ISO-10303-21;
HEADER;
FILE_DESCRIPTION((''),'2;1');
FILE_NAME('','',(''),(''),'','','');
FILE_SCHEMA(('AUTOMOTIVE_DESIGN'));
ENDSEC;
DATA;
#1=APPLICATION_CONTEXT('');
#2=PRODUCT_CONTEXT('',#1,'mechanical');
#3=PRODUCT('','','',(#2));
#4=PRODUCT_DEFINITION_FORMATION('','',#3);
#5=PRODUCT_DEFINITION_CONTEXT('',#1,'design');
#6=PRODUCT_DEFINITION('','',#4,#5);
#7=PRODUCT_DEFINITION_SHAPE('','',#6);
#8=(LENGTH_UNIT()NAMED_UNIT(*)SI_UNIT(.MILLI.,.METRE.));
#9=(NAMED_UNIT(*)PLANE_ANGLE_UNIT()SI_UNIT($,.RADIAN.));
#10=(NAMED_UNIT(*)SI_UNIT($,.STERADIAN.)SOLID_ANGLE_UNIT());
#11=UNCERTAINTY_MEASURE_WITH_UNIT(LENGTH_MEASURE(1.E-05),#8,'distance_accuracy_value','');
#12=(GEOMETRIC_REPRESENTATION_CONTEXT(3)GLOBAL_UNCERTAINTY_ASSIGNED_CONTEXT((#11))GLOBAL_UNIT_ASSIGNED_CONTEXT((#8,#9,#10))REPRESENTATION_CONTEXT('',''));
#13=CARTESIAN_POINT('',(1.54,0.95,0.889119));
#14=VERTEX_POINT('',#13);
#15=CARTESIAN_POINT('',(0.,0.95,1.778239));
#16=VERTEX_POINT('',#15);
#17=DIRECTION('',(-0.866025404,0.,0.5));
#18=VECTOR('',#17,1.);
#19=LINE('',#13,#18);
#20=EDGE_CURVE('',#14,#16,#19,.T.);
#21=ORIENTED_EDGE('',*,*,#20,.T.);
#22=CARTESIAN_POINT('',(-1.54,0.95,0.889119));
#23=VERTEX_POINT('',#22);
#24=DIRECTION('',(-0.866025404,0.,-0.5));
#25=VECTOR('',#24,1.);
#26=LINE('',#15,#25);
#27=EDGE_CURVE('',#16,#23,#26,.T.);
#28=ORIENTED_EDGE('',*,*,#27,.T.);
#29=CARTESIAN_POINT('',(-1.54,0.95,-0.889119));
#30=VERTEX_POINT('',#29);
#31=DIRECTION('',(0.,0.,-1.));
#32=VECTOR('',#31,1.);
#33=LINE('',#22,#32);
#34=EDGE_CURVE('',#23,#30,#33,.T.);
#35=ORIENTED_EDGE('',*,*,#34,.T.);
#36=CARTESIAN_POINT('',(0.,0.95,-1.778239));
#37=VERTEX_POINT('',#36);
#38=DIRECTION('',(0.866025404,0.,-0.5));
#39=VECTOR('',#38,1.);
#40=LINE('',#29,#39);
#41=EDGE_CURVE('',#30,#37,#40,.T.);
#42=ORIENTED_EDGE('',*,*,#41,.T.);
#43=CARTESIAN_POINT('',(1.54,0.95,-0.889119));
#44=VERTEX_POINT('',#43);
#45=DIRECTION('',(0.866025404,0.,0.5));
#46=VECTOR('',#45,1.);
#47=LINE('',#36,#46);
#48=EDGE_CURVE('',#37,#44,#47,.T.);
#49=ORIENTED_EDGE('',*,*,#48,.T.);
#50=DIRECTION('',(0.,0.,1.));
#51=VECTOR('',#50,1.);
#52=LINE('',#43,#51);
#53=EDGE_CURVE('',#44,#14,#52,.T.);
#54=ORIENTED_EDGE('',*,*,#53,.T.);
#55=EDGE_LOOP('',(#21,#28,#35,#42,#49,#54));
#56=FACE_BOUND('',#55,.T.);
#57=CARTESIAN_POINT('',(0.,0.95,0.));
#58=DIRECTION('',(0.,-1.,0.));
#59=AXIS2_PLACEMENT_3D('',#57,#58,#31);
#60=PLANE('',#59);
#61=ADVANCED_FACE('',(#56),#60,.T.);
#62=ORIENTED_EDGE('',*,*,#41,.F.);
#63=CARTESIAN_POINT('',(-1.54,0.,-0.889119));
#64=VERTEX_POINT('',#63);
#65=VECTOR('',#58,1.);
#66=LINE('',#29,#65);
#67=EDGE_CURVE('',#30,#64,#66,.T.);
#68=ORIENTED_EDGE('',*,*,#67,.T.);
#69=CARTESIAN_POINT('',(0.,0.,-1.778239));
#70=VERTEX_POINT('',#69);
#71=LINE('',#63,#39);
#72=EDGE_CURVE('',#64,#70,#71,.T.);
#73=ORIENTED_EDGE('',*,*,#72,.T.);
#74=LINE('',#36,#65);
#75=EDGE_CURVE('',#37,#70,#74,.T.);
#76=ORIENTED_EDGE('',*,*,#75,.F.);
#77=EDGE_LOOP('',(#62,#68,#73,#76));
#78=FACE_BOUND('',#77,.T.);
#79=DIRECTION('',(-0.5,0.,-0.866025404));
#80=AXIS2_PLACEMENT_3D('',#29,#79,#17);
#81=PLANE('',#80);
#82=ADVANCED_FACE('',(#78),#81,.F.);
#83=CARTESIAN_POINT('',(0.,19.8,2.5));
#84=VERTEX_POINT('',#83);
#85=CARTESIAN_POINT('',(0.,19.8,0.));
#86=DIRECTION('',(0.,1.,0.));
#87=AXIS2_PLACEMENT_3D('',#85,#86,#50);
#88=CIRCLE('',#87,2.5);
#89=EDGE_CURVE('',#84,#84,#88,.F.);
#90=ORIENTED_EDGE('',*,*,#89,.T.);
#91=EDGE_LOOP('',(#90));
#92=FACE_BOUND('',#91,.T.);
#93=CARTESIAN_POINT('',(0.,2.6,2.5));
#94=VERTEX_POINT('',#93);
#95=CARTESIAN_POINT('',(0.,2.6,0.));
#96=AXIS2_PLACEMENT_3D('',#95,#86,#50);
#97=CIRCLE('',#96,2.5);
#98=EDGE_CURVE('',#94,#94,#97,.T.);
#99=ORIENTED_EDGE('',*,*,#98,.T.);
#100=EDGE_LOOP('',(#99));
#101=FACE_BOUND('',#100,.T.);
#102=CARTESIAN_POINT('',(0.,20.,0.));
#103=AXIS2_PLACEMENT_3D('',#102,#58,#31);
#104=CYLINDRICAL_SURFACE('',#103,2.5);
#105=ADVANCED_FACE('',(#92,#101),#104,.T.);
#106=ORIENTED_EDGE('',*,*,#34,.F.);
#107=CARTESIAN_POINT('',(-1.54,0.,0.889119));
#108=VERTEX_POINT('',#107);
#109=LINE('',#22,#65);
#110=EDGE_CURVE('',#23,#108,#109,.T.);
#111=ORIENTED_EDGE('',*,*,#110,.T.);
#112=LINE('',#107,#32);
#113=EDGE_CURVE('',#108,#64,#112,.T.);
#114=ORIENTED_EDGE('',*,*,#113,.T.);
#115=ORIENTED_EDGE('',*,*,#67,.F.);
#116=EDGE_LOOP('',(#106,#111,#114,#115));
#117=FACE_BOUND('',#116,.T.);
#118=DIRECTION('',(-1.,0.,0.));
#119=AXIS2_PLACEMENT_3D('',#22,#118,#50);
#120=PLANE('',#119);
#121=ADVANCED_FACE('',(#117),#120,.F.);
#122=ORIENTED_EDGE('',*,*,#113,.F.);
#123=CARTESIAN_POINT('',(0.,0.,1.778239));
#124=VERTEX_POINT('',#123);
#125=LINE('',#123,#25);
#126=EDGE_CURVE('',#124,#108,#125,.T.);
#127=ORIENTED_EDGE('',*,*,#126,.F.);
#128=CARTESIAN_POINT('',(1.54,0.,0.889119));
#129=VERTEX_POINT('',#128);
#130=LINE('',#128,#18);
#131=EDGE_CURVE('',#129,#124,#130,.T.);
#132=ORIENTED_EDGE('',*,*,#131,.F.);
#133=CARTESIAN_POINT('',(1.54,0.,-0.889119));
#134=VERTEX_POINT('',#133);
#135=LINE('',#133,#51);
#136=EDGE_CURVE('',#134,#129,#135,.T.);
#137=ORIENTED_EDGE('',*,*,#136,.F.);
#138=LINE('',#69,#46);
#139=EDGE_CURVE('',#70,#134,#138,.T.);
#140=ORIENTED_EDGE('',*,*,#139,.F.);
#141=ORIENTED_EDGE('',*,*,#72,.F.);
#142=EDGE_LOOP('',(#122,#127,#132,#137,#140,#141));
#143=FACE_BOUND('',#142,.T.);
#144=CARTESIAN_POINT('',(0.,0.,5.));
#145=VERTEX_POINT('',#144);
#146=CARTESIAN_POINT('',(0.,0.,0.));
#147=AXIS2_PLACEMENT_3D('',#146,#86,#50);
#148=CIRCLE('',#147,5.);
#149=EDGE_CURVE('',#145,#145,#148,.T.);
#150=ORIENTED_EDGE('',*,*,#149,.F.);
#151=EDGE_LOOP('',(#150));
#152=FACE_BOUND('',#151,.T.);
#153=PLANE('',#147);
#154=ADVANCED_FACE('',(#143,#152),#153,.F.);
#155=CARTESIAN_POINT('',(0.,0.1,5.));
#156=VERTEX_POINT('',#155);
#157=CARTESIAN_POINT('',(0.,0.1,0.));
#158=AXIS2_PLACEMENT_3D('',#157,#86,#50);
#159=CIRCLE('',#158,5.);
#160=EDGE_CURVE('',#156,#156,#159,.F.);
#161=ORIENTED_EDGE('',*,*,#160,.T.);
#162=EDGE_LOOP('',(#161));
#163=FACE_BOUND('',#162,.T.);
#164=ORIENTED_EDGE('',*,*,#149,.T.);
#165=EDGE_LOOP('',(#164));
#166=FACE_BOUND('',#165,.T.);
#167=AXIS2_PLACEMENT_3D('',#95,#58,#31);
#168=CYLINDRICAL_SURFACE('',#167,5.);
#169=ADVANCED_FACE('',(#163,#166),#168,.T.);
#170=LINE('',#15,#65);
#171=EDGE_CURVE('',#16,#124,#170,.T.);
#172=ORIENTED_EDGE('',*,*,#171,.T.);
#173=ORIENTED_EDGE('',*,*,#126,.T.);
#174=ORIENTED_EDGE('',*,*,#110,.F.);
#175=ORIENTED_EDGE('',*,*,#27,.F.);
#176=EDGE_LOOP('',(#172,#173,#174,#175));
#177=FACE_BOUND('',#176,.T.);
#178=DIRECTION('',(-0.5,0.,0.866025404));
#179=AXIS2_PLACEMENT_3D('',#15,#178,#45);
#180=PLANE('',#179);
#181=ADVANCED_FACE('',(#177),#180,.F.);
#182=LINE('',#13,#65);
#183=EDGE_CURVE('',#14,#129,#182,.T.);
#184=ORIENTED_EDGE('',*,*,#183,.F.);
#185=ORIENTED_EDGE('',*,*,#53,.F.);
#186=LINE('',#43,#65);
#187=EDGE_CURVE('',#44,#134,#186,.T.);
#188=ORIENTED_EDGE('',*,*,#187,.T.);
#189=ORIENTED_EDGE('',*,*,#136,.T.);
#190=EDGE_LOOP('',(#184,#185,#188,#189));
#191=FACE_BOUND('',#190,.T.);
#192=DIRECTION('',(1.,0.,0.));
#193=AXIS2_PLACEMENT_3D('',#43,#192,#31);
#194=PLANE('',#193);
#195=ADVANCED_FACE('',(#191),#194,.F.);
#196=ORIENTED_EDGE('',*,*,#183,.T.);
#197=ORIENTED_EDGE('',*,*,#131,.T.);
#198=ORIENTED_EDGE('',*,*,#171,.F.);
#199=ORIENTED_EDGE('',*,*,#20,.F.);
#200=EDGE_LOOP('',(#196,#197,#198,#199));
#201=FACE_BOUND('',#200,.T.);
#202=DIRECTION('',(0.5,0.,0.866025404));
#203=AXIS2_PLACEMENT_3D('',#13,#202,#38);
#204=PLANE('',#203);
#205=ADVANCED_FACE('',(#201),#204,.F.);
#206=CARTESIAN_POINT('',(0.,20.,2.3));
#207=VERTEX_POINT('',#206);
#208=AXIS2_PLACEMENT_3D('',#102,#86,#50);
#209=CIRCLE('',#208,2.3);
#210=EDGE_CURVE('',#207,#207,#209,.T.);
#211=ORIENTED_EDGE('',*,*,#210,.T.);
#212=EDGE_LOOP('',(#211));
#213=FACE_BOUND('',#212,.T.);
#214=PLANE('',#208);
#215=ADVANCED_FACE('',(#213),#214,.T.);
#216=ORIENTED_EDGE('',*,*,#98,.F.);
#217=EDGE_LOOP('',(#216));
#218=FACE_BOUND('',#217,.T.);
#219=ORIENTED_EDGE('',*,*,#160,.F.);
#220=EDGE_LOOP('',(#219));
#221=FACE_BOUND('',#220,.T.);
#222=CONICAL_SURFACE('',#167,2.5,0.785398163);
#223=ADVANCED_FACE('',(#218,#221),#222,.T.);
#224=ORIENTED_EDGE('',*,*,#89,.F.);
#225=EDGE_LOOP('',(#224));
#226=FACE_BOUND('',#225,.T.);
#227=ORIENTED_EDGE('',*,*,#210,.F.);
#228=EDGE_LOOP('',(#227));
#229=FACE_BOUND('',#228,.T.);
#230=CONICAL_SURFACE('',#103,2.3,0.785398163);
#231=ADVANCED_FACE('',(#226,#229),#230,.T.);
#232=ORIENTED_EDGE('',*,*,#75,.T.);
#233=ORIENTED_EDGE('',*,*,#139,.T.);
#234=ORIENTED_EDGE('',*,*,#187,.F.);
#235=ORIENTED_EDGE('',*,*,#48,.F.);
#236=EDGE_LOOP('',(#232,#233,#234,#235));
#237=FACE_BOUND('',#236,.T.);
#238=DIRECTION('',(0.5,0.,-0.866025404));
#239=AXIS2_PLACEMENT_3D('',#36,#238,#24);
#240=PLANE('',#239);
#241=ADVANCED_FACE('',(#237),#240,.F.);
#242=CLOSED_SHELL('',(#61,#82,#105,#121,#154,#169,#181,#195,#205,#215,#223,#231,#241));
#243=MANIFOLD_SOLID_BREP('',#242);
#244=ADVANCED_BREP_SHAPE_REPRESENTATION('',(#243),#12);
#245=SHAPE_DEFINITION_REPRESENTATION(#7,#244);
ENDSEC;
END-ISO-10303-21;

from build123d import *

# Parameters (mm, degrees)
SKETCH_1_R          = 5
EXTRUDE_1_DEPTH     = 2.6
CHAMFER_1_SIZE      = 2.5
CUT_EXTRUDE_1_DEPTH = 0.95
SKETCH_3_R          = 2.5
EXTRUDE_2_DEPTH     = 17.4
CHAMFER_2_SIZE      = 0.2


with BuildPart() as part:
    # 草图1 → 凸台-拉伸1 (new body)
    with BuildSketch(Plane(origin=(0, 0, 0), x_dir=(1, 0, 0), z_dir=(0, 1, 0))):
        with Locations(Location((0, 0, 0), (0, 0, 270))):
            Circle(SKETCH_1_R)
    extrude(amount=EXTRUDE_1_DEPTH)

    # 倒角1
    chamfer_1_edges = [part.edges().sort_by_distance(p)[0] for p in [
        (0, 2.6, -5),
    ]]
    chamfer(chamfer_1_edges, length=CHAMFER_1_SIZE)

    # 草图2 → 切除-拉伸1 (cut)
    with BuildSketch(Plane.XZ):
        Polygon((1.54, -0.889119415), (1.54, 0.889119415), (0, 1.778238829), (-1.54, 0.889119415), (-1.54, -0.889119415), (0, -1.778238829), align=None)
    extrude(amount=-CUT_EXTRUDE_1_DEPTH, mode=Mode.SUBTRACT)

    # 草图3 → 凸台-拉伸2 (add)
    with BuildSketch(Plane(origin=(0, 2.6, 0), x_dir=(1, 0, 0), z_dir=(0, 1, 0))):
        with Locations(Location((0, 0, 0), (0, 0, 270))):
            Circle(SKETCH_3_R)
    extrude(amount=EXTRUDE_2_DEPTH)

    # 倒角2
    chamfer_2_edges = [part.edges().sort_by_distance(p)[0] for p in [
        (0, 20, -2.5),
    ]]
    chamfer(chamfer_2_edges, length=CHAMFER_2_SIZE)


solid = part.part
